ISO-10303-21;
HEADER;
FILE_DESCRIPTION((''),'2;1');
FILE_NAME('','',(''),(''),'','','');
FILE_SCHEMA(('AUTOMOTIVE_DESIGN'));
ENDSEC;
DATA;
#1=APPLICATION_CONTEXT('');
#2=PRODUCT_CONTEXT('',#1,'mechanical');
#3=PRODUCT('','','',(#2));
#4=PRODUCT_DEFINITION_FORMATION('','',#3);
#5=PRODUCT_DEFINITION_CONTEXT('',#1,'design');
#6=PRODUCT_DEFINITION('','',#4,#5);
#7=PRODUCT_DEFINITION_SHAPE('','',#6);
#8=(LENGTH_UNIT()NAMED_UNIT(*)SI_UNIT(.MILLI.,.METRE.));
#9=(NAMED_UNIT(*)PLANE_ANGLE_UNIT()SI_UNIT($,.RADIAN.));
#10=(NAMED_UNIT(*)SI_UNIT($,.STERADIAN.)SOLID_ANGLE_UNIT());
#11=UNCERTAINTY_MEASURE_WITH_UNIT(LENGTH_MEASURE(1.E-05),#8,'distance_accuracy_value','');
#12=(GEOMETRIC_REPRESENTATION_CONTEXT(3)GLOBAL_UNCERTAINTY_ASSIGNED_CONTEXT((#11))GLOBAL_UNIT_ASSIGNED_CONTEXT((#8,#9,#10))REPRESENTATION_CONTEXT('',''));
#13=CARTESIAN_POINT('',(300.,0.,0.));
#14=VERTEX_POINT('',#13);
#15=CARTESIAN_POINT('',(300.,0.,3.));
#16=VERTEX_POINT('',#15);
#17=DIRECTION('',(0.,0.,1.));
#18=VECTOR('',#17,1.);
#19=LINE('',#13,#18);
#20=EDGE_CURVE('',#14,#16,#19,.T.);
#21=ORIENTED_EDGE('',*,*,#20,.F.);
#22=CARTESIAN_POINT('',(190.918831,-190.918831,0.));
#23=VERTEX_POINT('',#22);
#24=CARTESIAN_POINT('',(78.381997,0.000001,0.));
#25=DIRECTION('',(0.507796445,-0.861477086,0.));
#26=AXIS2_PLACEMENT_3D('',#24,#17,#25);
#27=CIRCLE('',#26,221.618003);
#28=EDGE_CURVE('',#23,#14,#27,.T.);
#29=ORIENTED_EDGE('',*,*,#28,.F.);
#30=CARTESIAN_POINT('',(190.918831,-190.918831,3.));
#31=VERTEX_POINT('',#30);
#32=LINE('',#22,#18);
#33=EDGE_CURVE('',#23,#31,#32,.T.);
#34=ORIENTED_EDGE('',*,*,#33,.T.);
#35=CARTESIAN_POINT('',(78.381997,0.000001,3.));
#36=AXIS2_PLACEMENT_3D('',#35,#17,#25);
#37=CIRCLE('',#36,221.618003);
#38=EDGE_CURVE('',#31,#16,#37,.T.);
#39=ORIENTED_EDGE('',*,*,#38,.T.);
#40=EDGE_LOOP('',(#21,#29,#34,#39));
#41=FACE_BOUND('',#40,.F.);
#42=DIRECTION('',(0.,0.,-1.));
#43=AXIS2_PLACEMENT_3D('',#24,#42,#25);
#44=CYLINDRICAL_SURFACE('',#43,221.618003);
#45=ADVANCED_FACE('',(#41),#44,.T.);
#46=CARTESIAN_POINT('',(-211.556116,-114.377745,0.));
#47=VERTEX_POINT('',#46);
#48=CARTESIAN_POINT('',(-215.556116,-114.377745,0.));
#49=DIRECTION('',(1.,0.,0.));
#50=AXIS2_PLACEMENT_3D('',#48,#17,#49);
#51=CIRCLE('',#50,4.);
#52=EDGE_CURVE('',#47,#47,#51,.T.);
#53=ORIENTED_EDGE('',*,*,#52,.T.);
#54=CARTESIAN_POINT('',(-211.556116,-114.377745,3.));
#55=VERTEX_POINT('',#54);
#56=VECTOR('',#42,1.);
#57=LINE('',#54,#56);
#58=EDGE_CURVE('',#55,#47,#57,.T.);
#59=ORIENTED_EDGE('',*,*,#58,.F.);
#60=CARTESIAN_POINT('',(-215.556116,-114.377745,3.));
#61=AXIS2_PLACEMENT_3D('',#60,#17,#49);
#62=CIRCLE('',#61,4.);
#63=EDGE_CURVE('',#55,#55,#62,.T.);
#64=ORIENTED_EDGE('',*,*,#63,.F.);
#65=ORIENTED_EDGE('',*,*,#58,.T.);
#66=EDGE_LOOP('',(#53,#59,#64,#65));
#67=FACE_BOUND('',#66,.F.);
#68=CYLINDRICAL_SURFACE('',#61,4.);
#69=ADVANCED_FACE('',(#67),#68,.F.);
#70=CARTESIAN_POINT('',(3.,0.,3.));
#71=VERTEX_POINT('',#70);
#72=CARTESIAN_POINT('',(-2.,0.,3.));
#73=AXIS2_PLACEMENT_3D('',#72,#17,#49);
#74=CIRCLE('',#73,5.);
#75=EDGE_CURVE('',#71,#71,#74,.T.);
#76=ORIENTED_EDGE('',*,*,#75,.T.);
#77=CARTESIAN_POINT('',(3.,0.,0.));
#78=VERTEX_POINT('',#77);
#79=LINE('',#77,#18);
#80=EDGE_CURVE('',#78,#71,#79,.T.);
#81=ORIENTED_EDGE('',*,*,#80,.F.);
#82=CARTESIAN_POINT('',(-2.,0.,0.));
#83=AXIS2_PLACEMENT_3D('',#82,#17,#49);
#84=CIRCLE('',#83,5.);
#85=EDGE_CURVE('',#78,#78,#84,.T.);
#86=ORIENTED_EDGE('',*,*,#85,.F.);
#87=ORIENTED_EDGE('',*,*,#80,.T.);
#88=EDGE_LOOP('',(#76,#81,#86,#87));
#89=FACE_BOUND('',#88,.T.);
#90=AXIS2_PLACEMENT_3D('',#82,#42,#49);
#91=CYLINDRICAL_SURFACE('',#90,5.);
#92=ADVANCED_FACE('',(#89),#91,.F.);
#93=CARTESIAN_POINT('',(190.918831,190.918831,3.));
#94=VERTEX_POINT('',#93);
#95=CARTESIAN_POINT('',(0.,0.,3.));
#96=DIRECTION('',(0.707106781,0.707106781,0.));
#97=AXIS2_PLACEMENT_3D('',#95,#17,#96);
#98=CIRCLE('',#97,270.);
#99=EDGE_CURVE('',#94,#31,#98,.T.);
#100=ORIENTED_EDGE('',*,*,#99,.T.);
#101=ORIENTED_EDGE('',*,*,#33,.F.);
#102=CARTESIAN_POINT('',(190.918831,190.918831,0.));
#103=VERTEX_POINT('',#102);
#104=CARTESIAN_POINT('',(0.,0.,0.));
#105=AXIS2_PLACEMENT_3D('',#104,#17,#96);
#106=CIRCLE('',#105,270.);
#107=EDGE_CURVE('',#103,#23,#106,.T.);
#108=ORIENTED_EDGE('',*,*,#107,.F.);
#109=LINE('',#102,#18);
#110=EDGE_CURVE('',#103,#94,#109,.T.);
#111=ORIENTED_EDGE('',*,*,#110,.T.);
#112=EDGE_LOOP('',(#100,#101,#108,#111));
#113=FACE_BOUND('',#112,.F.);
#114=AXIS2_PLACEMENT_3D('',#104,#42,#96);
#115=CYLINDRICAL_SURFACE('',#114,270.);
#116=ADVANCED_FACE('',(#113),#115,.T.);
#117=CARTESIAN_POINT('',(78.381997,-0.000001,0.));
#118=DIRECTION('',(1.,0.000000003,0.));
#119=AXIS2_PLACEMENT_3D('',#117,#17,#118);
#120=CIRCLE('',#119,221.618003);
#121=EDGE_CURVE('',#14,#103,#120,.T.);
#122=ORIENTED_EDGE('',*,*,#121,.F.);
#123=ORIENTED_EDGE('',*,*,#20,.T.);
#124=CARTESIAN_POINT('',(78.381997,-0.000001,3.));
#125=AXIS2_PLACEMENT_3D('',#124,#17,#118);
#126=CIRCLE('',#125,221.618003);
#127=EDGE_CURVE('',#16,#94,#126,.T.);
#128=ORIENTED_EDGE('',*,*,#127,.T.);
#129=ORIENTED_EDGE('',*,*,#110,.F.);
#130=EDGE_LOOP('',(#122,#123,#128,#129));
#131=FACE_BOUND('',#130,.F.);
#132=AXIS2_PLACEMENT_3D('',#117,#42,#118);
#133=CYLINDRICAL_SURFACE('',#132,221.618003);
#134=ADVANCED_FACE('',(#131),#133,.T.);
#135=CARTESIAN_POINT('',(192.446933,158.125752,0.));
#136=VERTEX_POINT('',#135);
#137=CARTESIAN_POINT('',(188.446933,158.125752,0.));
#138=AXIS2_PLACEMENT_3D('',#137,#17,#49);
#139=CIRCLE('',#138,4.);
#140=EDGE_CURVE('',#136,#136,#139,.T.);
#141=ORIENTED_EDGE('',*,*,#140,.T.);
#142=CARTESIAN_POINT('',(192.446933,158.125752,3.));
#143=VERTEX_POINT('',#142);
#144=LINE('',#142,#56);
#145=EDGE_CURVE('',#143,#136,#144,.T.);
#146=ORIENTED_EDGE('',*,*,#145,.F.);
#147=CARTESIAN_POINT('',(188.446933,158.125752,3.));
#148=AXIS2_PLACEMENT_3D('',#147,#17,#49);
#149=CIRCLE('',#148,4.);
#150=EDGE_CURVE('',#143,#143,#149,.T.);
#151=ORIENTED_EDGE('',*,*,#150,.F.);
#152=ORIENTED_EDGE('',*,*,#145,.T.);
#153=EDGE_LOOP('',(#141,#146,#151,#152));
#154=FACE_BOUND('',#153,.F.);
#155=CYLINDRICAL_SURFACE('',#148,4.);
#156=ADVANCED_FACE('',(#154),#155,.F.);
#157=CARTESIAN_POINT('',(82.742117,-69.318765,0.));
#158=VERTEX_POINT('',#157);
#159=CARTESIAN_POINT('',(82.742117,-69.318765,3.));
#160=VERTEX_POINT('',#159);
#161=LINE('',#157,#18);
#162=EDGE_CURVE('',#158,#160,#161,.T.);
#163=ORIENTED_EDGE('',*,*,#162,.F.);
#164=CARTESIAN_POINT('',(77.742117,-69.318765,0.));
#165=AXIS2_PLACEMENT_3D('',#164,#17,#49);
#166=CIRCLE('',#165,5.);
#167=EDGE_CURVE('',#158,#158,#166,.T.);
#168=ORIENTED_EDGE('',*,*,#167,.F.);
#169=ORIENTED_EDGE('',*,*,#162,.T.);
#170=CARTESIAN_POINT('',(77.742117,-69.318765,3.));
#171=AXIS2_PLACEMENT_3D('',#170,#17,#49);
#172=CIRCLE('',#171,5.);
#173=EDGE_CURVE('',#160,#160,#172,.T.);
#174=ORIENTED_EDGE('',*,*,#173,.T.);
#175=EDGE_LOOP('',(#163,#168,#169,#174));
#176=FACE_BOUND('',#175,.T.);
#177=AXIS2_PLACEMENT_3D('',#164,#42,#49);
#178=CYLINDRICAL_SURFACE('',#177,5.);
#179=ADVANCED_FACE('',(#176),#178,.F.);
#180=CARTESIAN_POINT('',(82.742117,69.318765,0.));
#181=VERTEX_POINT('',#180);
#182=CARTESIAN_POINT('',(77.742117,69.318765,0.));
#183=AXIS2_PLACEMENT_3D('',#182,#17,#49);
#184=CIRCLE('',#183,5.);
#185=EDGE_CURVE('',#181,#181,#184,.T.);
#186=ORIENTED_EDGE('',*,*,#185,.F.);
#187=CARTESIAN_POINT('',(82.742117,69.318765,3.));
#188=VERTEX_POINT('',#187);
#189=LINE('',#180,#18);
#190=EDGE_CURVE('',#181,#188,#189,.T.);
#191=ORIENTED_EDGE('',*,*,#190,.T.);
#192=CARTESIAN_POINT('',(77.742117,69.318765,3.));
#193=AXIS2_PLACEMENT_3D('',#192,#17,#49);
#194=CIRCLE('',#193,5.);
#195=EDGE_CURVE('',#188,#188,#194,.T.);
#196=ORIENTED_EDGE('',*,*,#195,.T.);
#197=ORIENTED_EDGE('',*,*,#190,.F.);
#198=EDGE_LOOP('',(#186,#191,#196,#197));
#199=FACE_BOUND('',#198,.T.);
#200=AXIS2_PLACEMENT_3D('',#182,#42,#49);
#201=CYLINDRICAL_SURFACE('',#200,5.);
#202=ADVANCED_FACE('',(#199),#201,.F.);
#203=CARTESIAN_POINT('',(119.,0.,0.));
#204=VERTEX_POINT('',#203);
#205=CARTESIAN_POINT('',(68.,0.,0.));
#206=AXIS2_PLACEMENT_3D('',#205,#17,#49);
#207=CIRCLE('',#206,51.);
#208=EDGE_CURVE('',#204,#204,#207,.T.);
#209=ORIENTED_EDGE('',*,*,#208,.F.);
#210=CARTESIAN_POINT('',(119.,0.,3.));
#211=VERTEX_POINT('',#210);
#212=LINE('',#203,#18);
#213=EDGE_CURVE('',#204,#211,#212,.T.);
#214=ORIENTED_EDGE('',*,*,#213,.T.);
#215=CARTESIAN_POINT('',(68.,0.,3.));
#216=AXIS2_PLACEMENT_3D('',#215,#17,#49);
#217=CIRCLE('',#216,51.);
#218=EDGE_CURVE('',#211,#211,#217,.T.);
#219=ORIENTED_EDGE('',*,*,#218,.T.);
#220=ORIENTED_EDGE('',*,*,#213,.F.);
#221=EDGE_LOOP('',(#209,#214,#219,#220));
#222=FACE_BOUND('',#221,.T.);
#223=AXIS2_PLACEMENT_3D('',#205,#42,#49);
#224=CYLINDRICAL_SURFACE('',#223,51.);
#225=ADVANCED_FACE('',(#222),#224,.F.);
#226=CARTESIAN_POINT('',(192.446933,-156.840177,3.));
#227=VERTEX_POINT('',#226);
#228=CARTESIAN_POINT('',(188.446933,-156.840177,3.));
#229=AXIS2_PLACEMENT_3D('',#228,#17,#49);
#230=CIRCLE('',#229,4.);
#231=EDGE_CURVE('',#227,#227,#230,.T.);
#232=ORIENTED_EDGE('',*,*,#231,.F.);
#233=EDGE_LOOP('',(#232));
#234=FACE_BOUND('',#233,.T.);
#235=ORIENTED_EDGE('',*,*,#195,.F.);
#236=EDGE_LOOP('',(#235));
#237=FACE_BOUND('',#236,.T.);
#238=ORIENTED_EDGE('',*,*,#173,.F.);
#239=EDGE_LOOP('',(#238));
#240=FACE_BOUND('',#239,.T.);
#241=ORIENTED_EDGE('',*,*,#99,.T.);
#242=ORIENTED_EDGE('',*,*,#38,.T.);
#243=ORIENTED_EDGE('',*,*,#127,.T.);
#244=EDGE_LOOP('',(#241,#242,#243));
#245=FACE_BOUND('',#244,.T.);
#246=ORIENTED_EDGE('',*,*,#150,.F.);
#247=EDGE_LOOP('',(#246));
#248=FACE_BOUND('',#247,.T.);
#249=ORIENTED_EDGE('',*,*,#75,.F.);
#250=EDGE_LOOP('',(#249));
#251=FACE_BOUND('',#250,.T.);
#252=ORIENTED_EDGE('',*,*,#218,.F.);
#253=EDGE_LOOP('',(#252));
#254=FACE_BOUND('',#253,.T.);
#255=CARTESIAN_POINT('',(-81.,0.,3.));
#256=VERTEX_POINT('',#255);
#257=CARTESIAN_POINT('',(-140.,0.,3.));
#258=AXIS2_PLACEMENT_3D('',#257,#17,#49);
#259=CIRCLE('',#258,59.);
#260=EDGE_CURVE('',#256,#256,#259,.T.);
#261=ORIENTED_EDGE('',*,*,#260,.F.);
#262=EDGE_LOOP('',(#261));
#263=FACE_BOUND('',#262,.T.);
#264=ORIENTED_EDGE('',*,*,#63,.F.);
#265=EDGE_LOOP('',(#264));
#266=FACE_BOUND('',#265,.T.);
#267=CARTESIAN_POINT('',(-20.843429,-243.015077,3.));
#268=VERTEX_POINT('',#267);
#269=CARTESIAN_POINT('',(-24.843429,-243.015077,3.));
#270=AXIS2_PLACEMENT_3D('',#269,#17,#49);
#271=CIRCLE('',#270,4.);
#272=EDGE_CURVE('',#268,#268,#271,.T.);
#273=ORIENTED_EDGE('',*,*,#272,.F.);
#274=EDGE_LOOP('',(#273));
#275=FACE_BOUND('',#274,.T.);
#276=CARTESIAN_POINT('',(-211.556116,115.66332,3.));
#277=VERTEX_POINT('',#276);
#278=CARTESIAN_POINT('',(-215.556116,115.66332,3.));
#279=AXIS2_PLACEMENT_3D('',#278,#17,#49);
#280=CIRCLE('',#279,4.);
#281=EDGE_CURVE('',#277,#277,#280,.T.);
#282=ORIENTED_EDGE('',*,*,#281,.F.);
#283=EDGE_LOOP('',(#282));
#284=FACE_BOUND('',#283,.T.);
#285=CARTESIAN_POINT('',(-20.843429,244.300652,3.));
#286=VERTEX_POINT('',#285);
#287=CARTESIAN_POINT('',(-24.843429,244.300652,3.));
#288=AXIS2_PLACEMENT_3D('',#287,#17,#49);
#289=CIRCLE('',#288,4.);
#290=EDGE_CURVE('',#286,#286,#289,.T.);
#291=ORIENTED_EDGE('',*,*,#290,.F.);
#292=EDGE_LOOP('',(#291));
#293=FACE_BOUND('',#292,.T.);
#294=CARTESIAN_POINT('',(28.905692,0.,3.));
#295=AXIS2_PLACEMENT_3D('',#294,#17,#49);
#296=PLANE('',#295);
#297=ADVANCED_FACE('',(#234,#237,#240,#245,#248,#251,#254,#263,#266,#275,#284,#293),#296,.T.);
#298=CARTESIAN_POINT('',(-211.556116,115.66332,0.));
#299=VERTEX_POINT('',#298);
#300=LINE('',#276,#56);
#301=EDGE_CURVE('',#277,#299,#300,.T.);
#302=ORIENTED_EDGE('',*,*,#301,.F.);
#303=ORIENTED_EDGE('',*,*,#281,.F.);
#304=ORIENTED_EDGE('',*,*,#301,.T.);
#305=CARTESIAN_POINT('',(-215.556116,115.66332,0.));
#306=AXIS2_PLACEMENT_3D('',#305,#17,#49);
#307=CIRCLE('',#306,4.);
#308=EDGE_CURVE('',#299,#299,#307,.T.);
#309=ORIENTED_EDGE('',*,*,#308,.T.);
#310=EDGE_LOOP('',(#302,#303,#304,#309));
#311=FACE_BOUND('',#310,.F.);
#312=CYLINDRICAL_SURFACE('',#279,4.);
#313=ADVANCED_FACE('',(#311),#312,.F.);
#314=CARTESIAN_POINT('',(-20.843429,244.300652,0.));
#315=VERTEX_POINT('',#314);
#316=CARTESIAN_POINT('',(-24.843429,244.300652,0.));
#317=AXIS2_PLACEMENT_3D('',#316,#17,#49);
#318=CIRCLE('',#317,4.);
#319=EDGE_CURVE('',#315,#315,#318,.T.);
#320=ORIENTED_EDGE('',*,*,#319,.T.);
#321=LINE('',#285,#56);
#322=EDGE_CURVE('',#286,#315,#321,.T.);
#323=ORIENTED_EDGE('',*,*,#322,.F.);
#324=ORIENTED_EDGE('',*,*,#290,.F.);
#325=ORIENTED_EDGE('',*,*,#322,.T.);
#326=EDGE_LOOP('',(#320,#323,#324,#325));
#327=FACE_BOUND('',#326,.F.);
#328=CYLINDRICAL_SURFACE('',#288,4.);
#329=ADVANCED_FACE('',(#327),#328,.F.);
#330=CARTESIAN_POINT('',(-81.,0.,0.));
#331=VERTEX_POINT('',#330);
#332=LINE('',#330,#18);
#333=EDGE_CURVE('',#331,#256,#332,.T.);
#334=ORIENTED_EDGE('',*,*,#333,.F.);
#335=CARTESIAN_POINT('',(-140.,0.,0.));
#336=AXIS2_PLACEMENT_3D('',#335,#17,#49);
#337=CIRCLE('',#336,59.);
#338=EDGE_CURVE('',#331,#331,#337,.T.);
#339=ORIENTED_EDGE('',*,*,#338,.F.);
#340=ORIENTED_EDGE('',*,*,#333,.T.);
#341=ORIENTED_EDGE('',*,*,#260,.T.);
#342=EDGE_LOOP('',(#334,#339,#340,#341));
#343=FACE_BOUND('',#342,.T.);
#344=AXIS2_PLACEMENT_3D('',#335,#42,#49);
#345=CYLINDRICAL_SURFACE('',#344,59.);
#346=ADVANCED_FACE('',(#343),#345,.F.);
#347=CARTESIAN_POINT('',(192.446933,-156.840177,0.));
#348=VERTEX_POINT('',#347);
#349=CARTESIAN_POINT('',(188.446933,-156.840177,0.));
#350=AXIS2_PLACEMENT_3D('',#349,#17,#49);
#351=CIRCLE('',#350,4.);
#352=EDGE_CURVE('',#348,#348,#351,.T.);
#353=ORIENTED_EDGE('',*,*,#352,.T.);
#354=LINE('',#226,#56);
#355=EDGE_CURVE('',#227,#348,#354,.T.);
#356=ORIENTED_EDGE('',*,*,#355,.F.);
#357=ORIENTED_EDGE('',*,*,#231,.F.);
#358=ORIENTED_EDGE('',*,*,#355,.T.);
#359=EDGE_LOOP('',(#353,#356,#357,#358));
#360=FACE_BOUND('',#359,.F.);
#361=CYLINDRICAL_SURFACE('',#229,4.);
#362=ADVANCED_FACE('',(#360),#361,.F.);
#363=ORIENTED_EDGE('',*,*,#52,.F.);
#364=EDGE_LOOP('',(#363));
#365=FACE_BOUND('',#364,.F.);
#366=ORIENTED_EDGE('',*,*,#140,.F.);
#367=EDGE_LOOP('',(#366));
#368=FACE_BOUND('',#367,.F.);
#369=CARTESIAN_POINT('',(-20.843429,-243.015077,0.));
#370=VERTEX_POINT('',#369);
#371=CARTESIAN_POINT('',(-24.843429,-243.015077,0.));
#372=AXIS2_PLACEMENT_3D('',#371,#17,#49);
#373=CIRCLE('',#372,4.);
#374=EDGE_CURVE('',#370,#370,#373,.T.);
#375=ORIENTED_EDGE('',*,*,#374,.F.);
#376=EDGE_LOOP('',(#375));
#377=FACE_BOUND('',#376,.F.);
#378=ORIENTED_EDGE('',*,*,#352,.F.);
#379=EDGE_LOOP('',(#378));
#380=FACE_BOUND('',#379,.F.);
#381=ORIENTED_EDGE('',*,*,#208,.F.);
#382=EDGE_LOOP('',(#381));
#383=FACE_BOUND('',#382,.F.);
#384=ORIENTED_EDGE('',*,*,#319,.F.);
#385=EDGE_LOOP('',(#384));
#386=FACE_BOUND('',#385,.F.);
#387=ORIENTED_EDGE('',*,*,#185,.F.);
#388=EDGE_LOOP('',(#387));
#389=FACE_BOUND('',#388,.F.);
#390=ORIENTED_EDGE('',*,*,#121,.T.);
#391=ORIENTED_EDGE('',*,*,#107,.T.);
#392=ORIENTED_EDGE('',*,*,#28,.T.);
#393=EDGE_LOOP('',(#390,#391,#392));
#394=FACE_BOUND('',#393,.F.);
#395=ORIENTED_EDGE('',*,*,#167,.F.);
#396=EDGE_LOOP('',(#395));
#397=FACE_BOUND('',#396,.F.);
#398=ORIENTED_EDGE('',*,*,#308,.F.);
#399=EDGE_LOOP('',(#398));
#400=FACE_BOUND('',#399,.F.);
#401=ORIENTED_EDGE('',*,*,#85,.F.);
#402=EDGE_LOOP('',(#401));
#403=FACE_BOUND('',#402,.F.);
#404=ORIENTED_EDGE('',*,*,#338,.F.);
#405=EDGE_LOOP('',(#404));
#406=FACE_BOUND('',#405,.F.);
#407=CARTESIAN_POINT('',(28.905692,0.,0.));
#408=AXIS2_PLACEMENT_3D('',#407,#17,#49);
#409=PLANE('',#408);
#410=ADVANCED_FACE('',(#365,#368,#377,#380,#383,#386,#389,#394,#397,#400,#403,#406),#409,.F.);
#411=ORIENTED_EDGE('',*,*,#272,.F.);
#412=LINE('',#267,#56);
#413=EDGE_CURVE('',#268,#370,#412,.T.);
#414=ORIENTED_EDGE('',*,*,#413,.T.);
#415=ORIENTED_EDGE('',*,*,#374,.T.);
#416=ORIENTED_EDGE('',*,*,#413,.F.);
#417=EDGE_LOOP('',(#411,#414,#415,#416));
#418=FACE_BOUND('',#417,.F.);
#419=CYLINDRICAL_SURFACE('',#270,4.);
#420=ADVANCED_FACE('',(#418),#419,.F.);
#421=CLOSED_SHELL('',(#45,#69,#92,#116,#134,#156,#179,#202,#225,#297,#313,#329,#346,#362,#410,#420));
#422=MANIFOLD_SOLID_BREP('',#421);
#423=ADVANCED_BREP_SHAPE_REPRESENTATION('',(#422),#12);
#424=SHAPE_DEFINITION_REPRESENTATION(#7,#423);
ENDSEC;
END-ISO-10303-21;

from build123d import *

# Parameters (mm, degrees)
F0_R     = 5
F0_R_2   = 59
F0_R_3   = 51
F1_DEPTH = 3
F2_R     = 4
F3_DEPTH = 3.001


with BuildPart() as f1:
    # F0 (on Top) → F1 (new body)
    with BuildSketch(Plane.XY):
        with BuildLine():
            ThreePointArc((190.918831, -190.918831), (270.806953, -109.941691), (300, 0))
            ThreePointArc((300, 0), (270.806953, 109.941691), (190.918831, 190.918831))
            ThreePointArc((190.918831, 190.918831), (-270, 0), (190.918831, -190.918831))
        make_face()
        with Locations((77.742117, -69.318765)):
            Circle(F0_R, mode=Mode.SUBTRACT)
        with Locations((-140, 0)):
            Circle(F0_R_2, mode=Mode.SUBTRACT)
        with Locations((-2, 0)):
            Circle(F0_R, mode=Mode.SUBTRACT)
        with Locations((68, 0)):
            Circle(F0_R_3, mode=Mode.SUBTRACT)
        with Locations((77.742117, 69.318765)):
            Circle(F0_R, mode=Mode.SUBTRACT)
    extrude(amount=F1_DEPTH)

    # F2 (on face) → F3 (cut, through all)
    with BuildSketch(Plane.XY.offset(3)):
        with Locations((188.446933, 158.125752)):
            Circle(F2_R)
        with Locations((-24.843429, 244.300652)):
            Circle(F2_R)
        with Locations((-215.556116, 115.66332)):
            Circle(F2_R)
        with Locations((-215.556116, -114.377745)):
            Circle(F2_R)
        with Locations((-24.843429, -243.015077)):
            Circle(F2_R)
        with Locations((188.446933, -156.840177)):
            Circle(F2_R)
    extrude(amount=-F3_DEPTH, mode=Mode.SUBTRACT)


solid = f1.part
